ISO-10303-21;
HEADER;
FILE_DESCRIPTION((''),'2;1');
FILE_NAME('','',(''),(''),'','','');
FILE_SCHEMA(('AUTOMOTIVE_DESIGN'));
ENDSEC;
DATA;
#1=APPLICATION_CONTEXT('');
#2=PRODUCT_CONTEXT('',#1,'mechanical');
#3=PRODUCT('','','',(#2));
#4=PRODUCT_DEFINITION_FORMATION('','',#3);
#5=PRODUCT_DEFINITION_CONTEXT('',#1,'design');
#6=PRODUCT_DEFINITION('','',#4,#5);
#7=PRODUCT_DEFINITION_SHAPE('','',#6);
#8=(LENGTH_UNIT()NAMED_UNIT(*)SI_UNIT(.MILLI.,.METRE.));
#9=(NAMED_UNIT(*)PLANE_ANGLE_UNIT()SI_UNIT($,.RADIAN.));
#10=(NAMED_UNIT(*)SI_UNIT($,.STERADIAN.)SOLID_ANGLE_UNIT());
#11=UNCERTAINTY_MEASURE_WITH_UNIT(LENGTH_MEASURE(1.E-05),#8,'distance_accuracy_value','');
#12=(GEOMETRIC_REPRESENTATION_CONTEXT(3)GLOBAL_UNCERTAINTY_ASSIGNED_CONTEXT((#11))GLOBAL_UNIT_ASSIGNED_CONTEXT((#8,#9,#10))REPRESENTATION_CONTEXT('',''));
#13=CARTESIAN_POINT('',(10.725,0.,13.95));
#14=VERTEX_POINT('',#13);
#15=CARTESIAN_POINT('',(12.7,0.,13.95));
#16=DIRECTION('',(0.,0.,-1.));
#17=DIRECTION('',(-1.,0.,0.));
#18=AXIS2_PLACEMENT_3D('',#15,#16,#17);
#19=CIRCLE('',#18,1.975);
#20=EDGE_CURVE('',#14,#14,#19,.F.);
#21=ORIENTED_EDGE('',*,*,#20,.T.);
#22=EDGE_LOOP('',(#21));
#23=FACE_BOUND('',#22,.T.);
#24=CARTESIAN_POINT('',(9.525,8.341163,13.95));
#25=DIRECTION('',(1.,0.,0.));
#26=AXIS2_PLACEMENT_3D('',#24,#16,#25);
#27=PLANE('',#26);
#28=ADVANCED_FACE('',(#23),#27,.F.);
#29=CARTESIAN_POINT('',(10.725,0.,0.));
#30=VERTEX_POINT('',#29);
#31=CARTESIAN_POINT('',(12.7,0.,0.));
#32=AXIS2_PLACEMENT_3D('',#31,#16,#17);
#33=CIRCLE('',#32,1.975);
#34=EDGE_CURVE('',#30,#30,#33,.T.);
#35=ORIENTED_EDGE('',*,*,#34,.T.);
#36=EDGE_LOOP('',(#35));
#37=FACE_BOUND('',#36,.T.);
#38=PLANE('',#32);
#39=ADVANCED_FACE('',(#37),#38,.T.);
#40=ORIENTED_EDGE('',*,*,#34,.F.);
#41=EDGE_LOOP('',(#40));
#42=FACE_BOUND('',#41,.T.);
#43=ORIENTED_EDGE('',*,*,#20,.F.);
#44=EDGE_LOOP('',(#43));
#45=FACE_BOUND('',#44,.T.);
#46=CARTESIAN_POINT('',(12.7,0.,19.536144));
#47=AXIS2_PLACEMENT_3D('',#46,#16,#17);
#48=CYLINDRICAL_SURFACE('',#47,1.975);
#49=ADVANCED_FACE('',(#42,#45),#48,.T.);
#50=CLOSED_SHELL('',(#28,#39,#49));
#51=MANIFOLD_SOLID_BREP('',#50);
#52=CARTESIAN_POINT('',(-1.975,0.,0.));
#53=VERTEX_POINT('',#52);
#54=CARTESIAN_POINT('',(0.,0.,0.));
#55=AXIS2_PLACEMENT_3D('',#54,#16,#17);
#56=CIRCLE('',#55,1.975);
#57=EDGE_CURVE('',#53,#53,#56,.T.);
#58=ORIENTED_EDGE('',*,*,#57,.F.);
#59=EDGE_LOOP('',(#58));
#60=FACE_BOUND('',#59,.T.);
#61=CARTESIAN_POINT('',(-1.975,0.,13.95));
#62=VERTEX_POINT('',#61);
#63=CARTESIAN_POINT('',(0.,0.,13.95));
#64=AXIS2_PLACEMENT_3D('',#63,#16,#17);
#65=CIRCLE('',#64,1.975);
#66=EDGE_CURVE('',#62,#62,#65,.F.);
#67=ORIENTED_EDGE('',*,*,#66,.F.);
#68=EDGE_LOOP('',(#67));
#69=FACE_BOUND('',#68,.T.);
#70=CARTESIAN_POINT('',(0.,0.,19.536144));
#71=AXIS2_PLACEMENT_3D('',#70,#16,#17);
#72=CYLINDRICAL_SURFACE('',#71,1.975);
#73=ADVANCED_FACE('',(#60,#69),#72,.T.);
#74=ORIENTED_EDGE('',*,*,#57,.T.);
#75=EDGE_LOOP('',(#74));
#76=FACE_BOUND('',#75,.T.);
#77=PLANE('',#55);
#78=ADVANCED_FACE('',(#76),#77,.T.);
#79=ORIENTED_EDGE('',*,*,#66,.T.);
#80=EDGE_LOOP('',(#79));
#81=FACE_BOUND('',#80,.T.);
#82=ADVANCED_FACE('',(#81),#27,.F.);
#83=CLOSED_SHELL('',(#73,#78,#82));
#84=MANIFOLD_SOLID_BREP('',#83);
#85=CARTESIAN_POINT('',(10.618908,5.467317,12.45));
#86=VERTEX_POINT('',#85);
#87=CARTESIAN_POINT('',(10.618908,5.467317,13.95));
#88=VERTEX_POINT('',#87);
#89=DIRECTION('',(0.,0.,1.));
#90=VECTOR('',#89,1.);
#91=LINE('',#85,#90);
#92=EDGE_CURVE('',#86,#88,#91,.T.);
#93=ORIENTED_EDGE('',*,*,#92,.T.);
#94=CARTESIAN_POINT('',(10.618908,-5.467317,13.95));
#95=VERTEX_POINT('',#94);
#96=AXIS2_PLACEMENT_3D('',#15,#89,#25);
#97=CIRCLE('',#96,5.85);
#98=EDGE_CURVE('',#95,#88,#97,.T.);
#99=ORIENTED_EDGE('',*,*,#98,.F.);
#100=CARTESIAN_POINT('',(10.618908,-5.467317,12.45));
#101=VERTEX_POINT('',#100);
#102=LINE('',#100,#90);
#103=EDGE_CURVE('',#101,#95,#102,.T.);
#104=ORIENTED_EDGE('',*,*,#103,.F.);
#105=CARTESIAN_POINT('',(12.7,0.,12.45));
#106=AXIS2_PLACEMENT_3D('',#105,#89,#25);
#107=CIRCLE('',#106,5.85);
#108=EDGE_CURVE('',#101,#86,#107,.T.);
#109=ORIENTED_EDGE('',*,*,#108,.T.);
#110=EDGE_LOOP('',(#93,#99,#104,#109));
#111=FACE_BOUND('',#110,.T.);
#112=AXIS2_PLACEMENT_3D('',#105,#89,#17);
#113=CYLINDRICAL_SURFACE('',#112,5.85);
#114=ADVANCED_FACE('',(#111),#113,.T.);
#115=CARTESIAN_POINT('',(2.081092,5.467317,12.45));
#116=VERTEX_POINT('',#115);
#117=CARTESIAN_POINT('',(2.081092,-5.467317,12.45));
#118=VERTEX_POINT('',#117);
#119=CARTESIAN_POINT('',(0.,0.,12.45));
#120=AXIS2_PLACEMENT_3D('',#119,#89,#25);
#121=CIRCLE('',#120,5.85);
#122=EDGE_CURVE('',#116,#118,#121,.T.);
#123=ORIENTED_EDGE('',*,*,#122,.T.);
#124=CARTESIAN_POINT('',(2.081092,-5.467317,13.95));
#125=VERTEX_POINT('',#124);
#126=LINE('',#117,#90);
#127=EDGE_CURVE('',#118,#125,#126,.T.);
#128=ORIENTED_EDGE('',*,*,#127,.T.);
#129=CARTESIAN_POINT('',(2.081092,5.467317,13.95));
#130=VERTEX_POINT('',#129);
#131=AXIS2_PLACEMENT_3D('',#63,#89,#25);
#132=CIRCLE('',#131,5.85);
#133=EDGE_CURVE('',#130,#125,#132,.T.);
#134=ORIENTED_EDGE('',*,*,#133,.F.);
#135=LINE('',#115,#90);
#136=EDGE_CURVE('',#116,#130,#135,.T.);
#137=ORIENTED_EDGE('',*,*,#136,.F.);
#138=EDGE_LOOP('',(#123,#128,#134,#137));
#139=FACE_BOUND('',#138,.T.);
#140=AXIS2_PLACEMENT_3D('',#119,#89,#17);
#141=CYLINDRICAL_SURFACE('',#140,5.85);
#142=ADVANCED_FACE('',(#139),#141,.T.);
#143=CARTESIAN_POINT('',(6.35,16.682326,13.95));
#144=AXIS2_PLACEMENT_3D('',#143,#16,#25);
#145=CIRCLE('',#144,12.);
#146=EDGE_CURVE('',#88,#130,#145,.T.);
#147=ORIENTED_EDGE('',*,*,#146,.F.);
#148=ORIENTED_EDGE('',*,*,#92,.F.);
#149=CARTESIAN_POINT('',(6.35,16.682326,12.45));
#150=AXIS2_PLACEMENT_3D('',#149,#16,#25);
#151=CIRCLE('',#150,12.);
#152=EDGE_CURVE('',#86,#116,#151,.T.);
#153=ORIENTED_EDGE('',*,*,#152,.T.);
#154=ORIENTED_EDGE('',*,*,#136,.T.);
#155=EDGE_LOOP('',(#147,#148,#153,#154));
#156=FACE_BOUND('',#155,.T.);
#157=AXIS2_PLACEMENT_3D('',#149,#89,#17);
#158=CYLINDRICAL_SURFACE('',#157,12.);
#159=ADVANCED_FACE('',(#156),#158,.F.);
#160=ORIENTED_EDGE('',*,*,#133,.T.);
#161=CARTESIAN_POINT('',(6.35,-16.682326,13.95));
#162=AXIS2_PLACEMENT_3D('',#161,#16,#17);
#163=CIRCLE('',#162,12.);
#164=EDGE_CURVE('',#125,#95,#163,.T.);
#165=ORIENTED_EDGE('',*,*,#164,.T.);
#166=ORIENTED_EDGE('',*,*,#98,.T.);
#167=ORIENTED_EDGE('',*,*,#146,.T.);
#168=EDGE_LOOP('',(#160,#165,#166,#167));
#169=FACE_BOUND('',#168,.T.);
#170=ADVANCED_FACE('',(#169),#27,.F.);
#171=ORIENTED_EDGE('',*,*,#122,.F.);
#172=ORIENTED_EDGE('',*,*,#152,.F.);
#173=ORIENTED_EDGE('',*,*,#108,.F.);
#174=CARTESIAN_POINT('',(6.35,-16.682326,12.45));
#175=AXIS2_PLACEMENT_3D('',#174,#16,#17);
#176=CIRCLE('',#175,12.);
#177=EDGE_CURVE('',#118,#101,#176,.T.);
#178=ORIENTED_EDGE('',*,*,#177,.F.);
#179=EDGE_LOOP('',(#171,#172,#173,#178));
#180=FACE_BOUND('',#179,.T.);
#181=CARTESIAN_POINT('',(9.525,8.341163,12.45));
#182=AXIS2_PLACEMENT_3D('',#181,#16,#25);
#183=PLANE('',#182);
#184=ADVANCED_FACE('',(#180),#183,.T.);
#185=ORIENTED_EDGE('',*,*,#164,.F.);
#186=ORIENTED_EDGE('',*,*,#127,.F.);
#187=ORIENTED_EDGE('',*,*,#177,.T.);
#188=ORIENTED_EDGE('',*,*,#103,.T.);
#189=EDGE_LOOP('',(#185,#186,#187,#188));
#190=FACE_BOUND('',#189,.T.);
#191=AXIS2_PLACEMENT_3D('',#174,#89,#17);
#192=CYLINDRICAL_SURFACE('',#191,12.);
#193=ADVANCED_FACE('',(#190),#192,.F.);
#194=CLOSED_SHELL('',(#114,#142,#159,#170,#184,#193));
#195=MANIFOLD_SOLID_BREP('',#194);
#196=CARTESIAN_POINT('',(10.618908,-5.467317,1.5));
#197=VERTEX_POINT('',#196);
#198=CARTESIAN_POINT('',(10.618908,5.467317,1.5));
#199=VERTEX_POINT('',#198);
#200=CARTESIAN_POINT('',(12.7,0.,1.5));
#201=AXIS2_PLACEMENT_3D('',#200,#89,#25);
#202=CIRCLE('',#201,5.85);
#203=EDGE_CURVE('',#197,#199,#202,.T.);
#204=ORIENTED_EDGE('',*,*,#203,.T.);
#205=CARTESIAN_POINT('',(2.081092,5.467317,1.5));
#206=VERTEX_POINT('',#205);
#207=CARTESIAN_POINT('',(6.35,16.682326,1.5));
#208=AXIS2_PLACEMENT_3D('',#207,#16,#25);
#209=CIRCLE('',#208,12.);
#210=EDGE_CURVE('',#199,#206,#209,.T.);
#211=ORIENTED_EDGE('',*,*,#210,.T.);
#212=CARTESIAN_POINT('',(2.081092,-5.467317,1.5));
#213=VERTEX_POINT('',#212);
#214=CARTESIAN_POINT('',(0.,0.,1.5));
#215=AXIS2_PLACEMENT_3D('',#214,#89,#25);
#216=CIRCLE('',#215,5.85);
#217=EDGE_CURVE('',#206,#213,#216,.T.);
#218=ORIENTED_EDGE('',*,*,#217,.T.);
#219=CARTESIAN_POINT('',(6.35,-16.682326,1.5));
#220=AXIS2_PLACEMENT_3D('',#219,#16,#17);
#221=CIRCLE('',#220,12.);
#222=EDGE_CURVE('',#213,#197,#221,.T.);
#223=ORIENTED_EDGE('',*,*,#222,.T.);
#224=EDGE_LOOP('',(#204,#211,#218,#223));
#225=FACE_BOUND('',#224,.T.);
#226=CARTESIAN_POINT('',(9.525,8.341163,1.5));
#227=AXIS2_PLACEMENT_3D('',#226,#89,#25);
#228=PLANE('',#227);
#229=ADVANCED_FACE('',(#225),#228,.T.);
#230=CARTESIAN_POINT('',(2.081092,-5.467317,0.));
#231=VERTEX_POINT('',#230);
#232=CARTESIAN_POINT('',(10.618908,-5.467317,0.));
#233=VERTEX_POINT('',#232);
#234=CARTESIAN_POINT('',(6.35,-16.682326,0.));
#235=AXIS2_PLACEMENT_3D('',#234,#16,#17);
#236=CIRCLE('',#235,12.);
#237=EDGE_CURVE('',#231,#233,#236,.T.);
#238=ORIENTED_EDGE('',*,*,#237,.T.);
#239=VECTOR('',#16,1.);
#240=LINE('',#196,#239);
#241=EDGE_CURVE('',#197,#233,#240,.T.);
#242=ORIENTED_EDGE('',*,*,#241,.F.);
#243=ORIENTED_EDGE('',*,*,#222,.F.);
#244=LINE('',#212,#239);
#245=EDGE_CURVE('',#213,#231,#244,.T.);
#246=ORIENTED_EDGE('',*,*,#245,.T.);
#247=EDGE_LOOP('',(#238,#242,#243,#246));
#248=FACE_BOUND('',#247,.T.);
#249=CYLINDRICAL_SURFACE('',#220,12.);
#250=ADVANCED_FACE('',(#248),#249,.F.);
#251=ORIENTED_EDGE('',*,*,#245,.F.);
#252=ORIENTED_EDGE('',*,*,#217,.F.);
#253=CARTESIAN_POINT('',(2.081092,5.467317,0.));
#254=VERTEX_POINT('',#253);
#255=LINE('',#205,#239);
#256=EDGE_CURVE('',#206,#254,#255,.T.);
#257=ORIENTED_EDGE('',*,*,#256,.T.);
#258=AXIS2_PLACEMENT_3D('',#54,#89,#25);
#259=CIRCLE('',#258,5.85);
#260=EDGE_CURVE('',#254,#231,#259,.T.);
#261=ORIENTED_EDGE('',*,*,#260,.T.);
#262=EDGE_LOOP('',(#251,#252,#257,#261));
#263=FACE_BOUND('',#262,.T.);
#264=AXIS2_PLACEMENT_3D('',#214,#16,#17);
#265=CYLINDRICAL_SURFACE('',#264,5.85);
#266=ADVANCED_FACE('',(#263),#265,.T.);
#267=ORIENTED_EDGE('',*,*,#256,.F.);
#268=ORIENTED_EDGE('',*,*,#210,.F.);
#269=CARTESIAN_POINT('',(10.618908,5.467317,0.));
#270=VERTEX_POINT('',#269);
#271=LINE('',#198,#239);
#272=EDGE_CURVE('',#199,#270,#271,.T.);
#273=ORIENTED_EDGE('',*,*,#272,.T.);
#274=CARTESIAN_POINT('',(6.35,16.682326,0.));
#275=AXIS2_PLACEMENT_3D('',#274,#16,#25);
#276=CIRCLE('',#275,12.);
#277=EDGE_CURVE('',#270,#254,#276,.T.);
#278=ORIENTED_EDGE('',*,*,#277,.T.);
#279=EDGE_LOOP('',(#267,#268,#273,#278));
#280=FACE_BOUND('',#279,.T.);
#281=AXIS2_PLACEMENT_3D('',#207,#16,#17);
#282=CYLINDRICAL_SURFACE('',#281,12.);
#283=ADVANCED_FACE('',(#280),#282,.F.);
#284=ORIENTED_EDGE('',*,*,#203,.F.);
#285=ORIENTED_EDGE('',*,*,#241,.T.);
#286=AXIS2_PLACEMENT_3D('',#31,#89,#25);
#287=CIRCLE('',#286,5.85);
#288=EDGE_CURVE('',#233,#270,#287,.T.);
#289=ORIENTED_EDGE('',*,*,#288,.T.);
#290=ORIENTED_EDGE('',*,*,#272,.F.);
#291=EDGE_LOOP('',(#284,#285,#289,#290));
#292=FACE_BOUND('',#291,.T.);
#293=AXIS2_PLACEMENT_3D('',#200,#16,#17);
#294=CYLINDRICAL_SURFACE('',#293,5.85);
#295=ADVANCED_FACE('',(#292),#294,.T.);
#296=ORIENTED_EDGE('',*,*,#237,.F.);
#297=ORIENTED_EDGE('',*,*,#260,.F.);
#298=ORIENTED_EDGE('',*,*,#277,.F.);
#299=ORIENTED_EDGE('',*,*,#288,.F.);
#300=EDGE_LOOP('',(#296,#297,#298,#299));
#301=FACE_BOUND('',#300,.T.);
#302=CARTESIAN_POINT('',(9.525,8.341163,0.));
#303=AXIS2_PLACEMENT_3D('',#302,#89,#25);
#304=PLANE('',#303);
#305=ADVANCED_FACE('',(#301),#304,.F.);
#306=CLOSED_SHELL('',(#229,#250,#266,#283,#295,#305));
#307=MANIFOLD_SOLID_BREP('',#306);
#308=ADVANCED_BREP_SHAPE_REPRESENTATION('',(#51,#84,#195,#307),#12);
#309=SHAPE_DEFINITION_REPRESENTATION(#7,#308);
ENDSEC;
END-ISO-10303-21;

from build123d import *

# Parameters (mm, degrees)
BOSS_EXTRUDE1_DEPTH   = 1.5
SKETCH3_R             = 1.975
BOSS_EXTRUDE2_DEPTH   = 13.95
BOSS_EXTRUDE2_2_DEPTH = 13.95


with BuildPart() as part:
    # Sketch1 → Boss-Extrude1 (new body)
    with BuildSketch(Plane.XY):
        with BuildLine():
            ThreePointArc((2.081092437, 5.467316917), (-5.85, 0), (2.081092437, -5.467316917))
            ThreePointArc((2.081092437, -5.467316917), (6.35, -4.682325977), (10.618907563, -5.467316917))
            ThreePointArc((10.618907563, -5.467316917), (18.55, 0), (10.618907563, 5.467316917))
            ThreePointArc((10.618907563, 5.467316917), (6.35, 4.682325977), (2.081092437, 5.467316917))
        make_face()
    extrude(amount=BOSS_EXTRUDE1_DEPTH)


with BuildPart() as body_2:
    # Mirror2: mirrored copy
    add(part.part.mirror(Plane.XY.offset(6.975)))


with BuildPart() as body_3:
    # Sketch3 → Boss-Extrude2 (new body)
    with BuildSketch(Plane(origin=(0, 0, 0), x_dir=(-1, 0, 0), z_dir=(0, 0, -1))):
        Circle(SKETCH3_R)
    extrude(amount=-BOSS_EXTRUDE2_DEPTH)


with BuildPart() as body_4:
    # Sketch3 → Boss-Extrude2 2 (new body)
    with BuildSketch(Plane(origin=(0, 0, 0), x_dir=(-1, 0, 0), z_dir=(0, 0, -1))):
        with Locations((-12.7, 0)):
            Circle(SKETCH3_R)
    extrude(amount=-BOSS_EXTRUDE2_2_DEPTH)


solid = Compound([part.part, body_2.part, body_3.part, body_4.part])
